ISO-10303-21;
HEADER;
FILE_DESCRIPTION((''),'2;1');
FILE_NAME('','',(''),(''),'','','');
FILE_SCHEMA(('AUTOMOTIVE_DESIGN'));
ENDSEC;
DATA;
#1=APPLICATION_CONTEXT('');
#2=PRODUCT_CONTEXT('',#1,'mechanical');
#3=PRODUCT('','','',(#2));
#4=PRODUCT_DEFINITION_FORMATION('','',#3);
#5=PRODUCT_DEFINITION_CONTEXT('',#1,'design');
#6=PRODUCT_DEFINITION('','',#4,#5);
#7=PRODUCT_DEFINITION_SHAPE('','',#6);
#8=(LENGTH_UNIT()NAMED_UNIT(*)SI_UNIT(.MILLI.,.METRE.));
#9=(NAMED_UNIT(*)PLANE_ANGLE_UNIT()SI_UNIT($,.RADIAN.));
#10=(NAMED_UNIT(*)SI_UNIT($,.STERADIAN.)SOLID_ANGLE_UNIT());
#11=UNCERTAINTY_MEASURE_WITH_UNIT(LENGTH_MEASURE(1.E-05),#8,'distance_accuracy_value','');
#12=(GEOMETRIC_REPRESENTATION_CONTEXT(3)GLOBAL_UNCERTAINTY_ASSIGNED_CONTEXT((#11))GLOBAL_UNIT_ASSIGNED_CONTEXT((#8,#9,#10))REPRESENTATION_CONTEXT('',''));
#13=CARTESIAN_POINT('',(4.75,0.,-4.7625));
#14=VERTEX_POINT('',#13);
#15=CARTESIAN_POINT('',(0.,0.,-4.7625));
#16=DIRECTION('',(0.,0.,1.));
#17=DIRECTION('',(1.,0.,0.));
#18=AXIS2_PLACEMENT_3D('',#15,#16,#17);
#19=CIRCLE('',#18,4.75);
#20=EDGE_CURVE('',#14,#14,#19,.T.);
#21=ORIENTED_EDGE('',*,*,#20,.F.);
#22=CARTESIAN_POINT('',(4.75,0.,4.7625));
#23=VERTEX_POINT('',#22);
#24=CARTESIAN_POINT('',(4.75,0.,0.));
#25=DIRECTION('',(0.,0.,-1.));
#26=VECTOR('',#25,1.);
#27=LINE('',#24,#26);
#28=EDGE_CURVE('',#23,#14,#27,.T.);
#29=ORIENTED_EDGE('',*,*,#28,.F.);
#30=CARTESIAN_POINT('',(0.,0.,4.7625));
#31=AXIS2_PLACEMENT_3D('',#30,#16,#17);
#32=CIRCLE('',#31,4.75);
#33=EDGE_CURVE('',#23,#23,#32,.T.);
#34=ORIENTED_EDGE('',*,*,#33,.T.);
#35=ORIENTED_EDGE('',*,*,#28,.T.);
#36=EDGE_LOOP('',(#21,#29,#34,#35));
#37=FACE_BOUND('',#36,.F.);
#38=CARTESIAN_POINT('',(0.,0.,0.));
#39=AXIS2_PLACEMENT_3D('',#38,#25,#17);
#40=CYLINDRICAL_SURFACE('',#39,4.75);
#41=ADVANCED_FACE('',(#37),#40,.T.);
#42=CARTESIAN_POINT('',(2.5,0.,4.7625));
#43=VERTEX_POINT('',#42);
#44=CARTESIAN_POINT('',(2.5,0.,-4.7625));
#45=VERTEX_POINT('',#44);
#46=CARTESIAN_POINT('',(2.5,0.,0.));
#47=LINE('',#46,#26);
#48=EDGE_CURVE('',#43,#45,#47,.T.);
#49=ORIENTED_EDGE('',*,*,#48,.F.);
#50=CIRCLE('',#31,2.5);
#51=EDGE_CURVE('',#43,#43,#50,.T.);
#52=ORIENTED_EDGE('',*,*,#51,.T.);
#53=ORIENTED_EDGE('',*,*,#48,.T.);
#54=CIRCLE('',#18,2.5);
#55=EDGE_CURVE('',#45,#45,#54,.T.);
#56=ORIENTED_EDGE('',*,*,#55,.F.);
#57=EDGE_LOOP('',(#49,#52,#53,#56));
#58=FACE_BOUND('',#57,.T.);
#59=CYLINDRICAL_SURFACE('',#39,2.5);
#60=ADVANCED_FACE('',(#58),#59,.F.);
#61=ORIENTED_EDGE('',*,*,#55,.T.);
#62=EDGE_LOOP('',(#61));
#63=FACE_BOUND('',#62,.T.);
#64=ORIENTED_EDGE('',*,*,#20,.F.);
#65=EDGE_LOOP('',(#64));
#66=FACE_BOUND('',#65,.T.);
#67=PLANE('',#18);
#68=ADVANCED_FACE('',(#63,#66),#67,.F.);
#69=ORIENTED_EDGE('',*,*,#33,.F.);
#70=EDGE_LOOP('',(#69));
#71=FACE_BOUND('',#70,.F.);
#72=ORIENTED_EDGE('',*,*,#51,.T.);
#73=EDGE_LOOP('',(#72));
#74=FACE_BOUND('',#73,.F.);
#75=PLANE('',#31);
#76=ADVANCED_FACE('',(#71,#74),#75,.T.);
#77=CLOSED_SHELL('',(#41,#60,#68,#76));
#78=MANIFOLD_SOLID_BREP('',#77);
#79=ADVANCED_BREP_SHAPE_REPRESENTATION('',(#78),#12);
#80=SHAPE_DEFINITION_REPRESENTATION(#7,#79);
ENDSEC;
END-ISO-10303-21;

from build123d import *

# Parameters (mm, degrees)
SKETCH1_W = 2.25
SKETCH1_H = 9.525


with BuildPart() as part:
    # Sketch1 → Revolve1 (revolve)
    with BuildSketch(Plane(origin=(0, 0, 0), x_dir=(1, 0, 0), z_dir=(0, 1, 0))):
        with Locations((3.625, 0)):
            Rectangle(SKETCH1_W, SKETCH1_H)
    revolve(axis=Axis((0, 0, -4.7625), (0, 0, 1)))


solid = part.part
